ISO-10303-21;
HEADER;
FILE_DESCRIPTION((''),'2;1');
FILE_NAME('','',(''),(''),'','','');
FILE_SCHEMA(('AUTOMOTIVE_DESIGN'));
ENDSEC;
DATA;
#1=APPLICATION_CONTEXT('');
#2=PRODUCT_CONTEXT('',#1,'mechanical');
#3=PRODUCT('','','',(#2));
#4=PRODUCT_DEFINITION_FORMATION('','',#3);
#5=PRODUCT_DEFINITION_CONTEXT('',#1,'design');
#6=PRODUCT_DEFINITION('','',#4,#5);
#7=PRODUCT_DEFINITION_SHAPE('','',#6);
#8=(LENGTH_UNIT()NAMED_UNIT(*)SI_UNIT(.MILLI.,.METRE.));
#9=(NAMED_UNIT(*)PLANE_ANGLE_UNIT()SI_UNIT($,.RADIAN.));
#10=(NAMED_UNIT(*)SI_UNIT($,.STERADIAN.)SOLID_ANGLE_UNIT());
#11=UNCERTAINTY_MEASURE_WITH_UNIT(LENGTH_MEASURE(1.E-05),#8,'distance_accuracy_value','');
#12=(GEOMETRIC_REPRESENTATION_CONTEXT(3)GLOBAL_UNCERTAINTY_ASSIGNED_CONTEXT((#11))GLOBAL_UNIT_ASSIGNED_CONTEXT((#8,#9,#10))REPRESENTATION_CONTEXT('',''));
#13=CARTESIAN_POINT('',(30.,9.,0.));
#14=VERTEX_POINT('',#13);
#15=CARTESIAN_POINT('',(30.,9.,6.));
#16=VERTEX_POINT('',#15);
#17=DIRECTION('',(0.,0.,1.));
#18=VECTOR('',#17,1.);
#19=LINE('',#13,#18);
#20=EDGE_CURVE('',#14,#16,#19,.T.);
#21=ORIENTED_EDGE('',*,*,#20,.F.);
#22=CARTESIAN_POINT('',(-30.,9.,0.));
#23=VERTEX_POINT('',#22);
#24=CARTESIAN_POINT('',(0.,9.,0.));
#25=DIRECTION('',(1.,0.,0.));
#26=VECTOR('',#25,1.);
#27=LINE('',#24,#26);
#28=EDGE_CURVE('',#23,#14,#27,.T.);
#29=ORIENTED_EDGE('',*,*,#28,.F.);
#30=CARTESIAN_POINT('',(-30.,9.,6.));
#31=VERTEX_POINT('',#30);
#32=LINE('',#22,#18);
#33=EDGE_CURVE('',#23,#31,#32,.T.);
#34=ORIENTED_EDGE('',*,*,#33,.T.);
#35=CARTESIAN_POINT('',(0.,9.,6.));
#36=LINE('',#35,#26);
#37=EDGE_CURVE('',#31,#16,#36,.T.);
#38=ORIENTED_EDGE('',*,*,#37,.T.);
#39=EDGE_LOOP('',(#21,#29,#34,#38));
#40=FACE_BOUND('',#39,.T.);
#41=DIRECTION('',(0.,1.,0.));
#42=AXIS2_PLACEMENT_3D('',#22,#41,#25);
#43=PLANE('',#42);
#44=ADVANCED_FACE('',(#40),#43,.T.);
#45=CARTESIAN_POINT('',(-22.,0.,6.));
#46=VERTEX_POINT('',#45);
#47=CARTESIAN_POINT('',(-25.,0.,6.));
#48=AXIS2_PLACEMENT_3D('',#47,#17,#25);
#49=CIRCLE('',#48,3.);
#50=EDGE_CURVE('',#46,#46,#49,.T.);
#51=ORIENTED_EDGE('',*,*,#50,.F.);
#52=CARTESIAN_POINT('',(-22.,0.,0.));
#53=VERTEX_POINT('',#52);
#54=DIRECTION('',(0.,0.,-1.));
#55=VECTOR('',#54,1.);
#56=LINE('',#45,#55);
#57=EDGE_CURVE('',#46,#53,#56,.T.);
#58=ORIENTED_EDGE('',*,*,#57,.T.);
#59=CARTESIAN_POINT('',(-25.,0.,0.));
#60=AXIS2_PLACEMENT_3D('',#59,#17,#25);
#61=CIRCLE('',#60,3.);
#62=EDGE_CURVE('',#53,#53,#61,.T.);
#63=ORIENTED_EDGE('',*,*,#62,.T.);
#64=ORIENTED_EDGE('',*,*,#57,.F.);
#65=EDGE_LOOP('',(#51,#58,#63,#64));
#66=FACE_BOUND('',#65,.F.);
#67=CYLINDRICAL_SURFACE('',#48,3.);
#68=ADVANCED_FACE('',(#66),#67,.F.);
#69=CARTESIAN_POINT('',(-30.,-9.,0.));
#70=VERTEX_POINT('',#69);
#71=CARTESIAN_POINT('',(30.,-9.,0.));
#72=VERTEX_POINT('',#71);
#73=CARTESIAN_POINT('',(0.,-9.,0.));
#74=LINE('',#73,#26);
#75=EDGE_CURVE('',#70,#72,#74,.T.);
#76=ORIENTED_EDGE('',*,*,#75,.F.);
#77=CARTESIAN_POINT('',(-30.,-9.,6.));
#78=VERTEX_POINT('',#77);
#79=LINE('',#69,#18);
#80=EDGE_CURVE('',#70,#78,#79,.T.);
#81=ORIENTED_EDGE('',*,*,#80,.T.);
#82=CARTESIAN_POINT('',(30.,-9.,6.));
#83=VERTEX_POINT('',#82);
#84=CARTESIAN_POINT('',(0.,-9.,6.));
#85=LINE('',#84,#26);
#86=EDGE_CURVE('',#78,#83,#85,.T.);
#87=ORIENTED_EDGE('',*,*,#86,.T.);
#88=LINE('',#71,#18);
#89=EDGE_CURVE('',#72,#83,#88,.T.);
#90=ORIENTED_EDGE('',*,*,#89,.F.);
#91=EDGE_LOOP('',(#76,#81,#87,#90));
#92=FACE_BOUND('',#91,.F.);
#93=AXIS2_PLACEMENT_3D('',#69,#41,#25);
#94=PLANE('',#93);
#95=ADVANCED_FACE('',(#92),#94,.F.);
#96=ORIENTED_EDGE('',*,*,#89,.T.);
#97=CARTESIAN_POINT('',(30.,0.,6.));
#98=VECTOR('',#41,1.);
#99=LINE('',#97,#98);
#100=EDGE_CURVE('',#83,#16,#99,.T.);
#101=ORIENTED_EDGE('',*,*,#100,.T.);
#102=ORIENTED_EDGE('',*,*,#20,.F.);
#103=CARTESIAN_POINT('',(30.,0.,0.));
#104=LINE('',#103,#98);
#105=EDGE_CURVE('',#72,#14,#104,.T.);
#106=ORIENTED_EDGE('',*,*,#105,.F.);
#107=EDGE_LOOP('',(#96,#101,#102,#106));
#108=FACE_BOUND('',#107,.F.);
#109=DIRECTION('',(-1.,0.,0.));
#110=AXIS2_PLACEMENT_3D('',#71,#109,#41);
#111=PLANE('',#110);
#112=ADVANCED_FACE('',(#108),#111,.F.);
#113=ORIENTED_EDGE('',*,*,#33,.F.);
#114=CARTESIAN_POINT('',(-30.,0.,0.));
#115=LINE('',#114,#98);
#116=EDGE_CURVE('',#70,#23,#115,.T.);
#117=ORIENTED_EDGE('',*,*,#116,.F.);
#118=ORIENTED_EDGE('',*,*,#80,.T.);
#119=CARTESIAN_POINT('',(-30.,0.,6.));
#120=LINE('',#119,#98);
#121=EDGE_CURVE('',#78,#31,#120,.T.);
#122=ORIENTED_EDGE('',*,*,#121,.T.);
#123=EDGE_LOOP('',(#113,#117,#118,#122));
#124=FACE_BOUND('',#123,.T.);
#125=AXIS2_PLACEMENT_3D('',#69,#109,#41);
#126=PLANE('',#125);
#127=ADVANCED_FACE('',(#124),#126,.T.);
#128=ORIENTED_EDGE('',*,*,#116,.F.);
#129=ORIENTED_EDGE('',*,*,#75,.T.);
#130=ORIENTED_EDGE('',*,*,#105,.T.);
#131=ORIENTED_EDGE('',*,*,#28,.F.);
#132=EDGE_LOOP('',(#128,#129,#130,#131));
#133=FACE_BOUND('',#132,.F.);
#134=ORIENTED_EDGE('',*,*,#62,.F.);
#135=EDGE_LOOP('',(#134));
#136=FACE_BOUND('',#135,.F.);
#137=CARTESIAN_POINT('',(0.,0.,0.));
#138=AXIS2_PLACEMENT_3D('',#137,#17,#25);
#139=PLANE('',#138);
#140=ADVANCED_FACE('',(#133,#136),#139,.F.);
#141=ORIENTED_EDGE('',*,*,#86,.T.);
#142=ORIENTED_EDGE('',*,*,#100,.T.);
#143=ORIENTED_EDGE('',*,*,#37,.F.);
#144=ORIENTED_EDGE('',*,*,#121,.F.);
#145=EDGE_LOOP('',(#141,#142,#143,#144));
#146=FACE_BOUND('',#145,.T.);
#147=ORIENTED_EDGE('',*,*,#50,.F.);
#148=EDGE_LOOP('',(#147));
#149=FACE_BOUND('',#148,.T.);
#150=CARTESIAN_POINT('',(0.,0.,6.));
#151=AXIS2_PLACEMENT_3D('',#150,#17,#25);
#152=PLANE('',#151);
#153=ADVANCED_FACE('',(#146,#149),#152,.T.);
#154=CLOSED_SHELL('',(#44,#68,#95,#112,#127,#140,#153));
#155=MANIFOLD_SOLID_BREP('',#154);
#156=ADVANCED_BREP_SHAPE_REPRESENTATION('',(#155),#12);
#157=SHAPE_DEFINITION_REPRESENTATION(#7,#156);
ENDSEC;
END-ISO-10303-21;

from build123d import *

# Parameters (mm, degrees)
F0_W     = 60
F0_H     = 18
F1_DEPTH = 6
F2_R     = 3
F3_DEPTH = 6


with BuildPart() as f1:
    # F0 (on Top) → F1 (new body)
    with BuildSketch(Plane.XY):
        Rectangle(F0_W, F0_H)
    extrude(amount=F1_DEPTH)

    # F2 (on face) → F3 (cut, through all)
    with BuildSketch(Plane.XY.offset(6)):
        with Locations((-25, 0)):
            Circle(F2_R)
    extrude(amount=-F3_DEPTH, mode=Mode.SUBTRACT)


solid = f1.part
